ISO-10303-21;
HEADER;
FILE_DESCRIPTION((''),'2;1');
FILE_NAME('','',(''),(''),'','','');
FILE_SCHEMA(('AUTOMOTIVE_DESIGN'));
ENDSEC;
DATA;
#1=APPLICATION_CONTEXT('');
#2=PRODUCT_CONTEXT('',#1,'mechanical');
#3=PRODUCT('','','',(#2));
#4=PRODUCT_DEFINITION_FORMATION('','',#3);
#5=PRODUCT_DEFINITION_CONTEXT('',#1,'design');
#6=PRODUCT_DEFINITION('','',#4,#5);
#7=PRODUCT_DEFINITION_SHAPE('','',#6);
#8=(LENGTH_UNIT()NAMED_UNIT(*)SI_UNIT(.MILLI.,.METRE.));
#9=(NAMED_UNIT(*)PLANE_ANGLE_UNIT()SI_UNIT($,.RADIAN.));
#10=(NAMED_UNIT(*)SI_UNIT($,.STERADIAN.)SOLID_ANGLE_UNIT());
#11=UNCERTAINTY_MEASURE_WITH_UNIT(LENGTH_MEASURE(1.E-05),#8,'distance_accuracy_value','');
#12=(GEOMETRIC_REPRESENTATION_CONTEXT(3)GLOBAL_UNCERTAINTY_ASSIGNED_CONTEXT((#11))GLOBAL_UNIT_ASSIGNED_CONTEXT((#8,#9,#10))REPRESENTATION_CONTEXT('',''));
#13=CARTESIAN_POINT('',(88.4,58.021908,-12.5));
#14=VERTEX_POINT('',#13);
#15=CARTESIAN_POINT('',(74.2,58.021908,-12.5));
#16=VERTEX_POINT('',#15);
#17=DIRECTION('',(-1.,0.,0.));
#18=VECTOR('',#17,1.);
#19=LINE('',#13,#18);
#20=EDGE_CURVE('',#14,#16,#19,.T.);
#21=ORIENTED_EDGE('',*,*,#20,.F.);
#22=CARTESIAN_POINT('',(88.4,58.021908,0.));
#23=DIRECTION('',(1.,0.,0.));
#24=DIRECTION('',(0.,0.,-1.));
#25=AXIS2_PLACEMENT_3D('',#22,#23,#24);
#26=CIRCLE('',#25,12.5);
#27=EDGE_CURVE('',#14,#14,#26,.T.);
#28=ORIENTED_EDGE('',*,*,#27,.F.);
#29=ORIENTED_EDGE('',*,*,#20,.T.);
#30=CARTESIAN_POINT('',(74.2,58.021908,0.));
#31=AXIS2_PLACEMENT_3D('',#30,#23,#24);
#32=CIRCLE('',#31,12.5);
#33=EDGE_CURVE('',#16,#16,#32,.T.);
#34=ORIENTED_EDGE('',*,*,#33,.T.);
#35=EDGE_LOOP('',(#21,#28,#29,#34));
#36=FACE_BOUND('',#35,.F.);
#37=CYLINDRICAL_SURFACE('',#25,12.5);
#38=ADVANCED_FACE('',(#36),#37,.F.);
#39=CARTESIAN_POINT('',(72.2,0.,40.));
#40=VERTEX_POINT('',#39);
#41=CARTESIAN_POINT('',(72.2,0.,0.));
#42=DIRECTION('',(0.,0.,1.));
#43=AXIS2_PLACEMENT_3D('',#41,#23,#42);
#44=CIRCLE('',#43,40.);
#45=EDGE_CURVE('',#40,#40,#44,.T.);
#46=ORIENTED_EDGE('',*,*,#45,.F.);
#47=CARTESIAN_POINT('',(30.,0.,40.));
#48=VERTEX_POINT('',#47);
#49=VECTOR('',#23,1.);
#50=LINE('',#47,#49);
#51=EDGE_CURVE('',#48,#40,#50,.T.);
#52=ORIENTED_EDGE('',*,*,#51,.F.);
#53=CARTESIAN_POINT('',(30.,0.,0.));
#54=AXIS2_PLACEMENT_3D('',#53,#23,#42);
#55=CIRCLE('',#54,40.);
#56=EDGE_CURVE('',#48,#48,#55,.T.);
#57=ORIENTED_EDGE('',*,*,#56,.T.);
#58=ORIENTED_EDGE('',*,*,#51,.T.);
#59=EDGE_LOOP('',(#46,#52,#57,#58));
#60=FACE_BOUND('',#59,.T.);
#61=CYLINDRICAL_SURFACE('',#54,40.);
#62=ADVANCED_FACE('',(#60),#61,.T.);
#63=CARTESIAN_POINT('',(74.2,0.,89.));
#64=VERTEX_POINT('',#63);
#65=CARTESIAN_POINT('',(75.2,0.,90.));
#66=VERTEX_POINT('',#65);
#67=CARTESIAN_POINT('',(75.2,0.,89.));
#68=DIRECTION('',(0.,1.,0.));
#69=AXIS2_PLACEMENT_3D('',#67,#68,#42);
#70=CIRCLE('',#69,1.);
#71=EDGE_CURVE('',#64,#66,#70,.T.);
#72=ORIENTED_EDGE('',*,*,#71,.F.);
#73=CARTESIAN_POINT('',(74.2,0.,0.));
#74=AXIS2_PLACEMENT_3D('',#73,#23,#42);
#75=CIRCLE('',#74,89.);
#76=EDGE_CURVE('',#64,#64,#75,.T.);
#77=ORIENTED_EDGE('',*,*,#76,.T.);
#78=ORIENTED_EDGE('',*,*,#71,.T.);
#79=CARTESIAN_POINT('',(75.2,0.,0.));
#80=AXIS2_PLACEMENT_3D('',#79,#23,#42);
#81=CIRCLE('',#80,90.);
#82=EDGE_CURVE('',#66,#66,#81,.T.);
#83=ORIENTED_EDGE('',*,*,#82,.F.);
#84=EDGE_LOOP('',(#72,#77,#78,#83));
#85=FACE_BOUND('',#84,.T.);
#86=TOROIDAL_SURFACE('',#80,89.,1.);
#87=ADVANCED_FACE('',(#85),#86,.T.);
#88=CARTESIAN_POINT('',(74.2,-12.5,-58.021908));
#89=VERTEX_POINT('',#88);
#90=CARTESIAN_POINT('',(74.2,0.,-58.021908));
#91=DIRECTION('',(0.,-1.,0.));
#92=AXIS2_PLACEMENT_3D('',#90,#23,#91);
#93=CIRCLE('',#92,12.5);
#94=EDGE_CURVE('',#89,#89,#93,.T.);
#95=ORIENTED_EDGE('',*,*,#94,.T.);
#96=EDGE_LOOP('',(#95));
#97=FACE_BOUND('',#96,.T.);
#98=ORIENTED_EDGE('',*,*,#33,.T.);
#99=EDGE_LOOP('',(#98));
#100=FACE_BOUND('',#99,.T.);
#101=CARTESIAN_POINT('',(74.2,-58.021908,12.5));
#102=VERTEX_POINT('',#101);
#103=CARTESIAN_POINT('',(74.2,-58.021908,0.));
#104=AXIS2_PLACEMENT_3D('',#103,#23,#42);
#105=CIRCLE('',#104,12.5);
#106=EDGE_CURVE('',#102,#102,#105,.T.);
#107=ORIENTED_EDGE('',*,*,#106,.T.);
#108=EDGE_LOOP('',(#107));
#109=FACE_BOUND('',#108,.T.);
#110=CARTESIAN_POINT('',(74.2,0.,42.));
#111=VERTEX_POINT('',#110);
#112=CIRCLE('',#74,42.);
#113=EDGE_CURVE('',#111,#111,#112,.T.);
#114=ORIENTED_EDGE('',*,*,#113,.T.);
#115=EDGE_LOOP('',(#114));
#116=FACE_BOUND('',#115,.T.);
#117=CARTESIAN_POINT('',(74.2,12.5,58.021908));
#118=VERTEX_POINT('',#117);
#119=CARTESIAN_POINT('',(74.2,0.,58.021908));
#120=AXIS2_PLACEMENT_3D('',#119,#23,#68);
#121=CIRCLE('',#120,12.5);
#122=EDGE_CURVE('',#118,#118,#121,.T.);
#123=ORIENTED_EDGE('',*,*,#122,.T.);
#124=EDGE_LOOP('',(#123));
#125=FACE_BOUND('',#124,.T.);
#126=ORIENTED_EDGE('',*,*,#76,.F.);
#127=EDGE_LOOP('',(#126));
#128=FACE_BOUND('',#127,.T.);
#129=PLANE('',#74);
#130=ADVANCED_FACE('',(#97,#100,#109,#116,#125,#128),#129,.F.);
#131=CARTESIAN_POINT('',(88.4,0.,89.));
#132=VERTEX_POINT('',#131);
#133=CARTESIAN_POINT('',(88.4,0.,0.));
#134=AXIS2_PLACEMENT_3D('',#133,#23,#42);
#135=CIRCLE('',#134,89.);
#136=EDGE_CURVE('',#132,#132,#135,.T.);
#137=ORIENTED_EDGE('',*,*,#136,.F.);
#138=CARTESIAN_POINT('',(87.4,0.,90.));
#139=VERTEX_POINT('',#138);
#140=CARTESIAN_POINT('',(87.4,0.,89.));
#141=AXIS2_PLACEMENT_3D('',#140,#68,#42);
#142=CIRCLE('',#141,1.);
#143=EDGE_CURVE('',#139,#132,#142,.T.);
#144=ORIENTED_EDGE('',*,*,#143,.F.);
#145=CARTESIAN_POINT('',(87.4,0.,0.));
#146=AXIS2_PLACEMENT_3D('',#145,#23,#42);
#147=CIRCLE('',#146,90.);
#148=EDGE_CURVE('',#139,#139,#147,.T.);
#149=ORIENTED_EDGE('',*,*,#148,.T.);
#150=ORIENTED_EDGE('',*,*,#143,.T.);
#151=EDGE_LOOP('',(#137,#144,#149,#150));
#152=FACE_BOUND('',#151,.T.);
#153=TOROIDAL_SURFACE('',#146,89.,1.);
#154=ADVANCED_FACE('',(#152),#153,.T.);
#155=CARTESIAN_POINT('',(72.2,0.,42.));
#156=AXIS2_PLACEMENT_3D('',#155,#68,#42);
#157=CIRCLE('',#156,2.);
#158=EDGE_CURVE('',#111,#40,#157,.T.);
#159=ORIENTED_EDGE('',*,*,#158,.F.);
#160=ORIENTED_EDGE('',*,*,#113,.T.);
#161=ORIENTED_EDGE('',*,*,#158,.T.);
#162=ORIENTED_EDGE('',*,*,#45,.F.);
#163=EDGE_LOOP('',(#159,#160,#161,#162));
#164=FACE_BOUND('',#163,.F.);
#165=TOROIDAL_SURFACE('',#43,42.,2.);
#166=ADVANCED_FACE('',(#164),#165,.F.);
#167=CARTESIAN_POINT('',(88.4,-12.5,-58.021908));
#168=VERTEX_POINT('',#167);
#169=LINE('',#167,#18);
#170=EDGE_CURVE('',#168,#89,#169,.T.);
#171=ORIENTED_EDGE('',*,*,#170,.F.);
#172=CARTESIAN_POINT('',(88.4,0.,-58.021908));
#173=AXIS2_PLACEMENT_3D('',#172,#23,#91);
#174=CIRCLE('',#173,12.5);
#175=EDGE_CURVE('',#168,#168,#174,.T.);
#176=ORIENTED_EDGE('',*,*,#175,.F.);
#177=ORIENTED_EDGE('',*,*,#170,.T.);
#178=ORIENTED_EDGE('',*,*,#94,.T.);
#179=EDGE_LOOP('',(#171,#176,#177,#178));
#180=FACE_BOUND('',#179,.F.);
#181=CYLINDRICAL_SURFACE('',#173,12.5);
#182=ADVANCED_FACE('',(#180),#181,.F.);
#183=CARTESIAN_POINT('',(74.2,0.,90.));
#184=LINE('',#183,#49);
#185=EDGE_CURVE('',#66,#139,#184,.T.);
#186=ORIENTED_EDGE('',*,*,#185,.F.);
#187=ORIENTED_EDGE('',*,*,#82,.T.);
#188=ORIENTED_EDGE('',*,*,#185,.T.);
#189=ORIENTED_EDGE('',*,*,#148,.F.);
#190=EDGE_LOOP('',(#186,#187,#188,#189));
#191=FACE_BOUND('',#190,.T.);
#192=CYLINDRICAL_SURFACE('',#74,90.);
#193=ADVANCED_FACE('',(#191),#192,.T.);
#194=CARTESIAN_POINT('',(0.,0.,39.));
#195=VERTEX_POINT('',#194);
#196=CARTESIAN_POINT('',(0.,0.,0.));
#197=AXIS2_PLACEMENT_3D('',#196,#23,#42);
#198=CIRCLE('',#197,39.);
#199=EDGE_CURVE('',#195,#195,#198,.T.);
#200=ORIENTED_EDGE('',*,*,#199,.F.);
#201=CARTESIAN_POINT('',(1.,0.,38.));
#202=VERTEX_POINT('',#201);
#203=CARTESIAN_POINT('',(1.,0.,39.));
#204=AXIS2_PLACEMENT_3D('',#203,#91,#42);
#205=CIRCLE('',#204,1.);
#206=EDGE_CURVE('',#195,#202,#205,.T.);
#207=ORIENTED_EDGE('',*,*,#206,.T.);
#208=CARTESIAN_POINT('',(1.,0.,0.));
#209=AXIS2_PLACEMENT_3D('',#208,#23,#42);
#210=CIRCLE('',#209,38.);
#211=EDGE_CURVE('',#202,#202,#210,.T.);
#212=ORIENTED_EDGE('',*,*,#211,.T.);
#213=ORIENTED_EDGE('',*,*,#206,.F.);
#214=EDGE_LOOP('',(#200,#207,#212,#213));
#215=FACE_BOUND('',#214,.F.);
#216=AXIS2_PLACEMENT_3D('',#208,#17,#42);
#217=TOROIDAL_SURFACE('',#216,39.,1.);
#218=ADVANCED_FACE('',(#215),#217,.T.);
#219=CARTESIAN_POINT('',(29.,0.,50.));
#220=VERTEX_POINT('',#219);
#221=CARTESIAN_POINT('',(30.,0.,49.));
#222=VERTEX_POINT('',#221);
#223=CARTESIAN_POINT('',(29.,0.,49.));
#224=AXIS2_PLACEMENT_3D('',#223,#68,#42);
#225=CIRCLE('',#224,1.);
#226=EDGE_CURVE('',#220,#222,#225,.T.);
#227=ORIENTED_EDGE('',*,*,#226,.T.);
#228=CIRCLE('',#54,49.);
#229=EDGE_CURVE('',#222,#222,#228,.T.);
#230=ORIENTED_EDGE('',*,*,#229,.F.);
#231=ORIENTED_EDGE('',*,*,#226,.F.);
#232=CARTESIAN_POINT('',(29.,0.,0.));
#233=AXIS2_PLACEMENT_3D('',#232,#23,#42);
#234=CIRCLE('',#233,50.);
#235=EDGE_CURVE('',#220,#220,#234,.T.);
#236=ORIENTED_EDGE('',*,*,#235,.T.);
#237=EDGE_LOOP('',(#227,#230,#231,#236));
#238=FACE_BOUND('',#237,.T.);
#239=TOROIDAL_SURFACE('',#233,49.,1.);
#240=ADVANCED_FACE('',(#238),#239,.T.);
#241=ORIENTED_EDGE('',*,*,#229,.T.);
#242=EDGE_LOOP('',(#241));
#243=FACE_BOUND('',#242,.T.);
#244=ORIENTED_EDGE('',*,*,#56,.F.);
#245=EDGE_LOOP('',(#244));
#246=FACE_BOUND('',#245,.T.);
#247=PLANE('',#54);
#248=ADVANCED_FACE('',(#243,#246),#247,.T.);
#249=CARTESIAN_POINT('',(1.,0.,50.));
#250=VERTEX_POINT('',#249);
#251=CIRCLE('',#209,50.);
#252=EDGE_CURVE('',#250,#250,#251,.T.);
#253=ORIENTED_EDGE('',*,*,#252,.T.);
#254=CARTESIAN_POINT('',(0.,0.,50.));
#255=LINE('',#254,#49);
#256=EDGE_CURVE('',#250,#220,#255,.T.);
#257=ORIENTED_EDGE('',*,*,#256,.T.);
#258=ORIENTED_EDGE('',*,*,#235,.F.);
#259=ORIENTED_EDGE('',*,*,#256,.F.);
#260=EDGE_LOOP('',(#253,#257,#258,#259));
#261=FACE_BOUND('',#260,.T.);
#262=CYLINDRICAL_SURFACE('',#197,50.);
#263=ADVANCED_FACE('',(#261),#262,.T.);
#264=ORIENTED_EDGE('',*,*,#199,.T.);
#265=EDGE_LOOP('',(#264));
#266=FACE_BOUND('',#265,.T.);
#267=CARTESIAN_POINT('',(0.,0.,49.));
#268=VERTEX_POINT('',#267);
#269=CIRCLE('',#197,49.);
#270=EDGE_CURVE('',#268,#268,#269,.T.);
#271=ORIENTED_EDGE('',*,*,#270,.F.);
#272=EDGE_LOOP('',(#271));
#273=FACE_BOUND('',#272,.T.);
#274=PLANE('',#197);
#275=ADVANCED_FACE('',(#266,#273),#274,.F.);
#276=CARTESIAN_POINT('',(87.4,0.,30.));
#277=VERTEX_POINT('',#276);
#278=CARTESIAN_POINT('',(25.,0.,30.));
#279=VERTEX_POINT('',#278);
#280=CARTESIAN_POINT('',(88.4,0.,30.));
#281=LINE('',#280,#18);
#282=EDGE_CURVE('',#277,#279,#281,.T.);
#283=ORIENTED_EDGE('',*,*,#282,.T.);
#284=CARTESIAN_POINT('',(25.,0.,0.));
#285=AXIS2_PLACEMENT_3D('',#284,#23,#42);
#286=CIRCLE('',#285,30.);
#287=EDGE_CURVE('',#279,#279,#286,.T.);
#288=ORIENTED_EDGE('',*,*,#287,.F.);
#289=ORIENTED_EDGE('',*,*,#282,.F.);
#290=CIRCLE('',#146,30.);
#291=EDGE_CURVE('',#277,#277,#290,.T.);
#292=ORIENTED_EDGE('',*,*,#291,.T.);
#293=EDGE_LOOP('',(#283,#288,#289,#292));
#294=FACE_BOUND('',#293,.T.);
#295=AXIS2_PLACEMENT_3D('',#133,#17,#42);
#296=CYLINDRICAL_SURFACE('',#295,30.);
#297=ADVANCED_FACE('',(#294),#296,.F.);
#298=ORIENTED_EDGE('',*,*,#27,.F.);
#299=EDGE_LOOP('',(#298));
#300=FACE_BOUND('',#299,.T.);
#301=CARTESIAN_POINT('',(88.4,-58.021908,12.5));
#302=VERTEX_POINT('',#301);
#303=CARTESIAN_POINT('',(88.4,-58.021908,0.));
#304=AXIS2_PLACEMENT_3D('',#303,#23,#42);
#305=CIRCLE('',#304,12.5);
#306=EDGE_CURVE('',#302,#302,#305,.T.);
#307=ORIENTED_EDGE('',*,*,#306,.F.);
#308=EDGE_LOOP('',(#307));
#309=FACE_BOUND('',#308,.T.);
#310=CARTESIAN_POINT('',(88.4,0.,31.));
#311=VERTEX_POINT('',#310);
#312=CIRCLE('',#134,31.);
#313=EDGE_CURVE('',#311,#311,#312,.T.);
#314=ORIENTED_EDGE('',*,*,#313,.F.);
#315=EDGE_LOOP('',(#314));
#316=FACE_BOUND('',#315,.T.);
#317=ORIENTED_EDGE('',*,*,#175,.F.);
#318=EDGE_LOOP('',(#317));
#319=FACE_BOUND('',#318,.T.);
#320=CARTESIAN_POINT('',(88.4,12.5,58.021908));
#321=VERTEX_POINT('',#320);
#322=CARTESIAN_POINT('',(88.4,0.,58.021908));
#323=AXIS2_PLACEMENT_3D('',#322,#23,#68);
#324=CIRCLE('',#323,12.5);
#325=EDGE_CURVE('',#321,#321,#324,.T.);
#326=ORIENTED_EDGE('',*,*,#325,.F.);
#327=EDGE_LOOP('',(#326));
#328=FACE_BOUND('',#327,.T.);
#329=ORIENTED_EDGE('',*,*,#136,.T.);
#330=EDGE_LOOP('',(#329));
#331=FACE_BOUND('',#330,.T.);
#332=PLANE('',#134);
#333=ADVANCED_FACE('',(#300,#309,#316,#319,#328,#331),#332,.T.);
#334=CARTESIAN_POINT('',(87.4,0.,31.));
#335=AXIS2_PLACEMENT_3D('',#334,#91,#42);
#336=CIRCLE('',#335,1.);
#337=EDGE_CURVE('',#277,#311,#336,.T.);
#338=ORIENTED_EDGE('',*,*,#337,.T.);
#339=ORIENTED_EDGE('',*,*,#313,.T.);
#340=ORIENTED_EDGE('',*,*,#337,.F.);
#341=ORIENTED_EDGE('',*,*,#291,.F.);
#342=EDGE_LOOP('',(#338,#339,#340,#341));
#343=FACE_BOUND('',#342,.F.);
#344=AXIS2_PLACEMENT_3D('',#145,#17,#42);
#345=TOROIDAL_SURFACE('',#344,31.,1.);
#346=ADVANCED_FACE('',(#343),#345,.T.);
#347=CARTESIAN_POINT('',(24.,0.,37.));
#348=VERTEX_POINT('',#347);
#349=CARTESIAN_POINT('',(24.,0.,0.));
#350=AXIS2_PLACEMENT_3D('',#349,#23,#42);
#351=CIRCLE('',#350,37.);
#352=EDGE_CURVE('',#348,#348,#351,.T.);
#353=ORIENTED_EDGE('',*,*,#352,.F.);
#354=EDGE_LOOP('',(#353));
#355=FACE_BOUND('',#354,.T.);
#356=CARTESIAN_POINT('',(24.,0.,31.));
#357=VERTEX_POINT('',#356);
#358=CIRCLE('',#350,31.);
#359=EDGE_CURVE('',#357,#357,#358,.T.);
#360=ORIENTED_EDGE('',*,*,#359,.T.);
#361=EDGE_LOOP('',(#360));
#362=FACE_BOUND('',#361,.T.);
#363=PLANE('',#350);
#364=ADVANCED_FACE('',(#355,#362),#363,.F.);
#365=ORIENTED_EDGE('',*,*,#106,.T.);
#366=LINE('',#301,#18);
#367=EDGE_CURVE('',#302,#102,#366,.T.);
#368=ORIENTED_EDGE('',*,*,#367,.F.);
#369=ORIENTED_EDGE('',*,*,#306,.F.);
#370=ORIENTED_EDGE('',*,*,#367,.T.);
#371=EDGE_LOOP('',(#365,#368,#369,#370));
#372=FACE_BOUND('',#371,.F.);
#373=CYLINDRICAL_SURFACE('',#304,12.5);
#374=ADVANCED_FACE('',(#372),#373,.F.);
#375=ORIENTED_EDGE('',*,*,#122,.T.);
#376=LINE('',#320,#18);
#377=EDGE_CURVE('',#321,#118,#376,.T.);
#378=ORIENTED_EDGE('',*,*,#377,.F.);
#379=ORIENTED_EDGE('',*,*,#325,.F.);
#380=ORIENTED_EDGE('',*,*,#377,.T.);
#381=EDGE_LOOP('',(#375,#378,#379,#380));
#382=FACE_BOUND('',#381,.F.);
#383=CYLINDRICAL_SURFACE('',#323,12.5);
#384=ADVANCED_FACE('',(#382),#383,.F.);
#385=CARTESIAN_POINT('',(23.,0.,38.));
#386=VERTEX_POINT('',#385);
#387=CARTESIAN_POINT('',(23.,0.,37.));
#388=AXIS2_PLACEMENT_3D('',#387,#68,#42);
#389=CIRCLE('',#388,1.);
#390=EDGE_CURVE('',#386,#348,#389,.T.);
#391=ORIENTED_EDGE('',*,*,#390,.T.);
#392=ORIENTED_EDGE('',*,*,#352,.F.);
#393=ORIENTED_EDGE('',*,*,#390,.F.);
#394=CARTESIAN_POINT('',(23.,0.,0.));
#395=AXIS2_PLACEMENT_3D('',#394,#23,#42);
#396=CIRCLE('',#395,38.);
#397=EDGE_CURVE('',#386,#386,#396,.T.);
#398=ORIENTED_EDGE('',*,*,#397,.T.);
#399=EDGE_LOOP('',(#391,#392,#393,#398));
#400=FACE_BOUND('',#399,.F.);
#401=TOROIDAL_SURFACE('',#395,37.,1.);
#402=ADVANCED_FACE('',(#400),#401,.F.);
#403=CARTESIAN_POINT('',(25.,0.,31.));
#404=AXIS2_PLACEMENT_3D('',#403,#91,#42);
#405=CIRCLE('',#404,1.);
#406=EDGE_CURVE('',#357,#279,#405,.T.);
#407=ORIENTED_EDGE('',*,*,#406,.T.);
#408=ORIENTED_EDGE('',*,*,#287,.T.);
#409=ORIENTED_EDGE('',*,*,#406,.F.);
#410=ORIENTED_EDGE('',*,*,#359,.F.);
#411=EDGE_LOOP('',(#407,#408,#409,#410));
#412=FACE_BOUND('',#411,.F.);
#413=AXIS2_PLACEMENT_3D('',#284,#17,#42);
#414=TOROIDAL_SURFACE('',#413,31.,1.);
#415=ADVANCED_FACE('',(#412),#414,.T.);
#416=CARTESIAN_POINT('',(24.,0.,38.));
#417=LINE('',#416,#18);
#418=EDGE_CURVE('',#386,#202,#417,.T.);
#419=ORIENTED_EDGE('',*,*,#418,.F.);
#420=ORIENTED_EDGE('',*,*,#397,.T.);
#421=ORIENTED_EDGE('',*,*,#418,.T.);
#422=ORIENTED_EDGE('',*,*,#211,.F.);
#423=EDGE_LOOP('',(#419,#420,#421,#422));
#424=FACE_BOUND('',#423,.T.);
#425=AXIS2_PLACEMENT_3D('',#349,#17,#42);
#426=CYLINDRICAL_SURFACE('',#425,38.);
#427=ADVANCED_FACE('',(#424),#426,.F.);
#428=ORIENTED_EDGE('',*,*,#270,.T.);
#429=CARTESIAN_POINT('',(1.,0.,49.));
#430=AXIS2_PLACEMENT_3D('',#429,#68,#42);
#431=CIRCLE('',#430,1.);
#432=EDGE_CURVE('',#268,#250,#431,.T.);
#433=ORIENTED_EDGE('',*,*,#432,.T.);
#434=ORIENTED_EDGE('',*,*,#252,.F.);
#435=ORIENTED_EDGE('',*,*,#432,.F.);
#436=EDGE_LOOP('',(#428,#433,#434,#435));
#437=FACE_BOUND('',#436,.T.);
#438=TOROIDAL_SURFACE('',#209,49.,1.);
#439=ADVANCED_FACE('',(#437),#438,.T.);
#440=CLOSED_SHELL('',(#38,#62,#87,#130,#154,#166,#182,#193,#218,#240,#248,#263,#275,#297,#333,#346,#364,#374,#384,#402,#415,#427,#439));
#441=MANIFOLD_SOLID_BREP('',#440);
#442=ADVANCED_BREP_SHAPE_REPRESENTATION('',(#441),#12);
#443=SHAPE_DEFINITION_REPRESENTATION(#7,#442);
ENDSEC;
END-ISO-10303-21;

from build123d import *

# Parameters (mm, degrees)
SKETCH001_R        = 12.5
POCKET_DEPTH       = 15
POLARPATTERN_COUNT = 4
FILLET_R           = 1
FILLET001_R        = 1
FILLET002_R        = 1
FILLET003_R        = 1
FILLET004_R        = 2


with BuildPart() as part:
    # Sketch → Revolution (revolve)
    with BuildSketch(Plane.XZ):
        Polygon((0, 38), (0, 50), (30, 50), (30, 40), (74.2, 40), (74.2, 90), (88.4, 90), (88.4, 30), (24, 30), (24, 38), align=None)
    revolve(axis=Axis((0, 0, 0), (1, 0, 0)))

    # Sketch001 (on Face7 of Revolution) → Pocket (cut)
    with BuildSketch(Plane(origin=(88.4, 0, 0), x_dir=(0, 0, 1), z_dir=(1, 0, 0))):
        with Locations((0, 58.021908)):
            Circle(SKETCH001_R)
    pocket = extrude(amount=-POCKET_DEPTH, mode=Mode.SUBTRACT)

    # PolarPattern: Pocket ×4 about axis
    polarpattern_axis = Axis((0, 0, 0), (1, 0, 0))
    for i in range(1, POLARPATTERN_COUNT):
        add(pocket.rotate(polarpattern_axis, i * 360 / POLARPATTERN_COUNT), mode=Mode.SUBTRACT)

    # Fillet
    fillet_edges = [part.edges().sort_by_distance(p)[0] for p in [
        (0, 0, -38),
        (0, 0, -50),
    ]]
    fillet(fillet_edges, radius=FILLET_R)

    # Fillet001
    fillet001_edges = [part.edges().sort_by_distance(p)[0] for p in [
        (24, 0, -38),
        (24, 0, -30),
        (88.4, 0, -30),
        (56.2, 0, 30),
    ]]
    fillet(fillet001_edges, radius=FILLET001_R)

    # Fillet002
    fillet002_edges = [part.edges().sort_by_distance(p)[0] for p in [
        (30, 0, -50),
    ]]
    fillet(fillet002_edges, radius=FILLET002_R)

    # Fillet003
    fillet003_edges = [part.edges().sort_by_distance(p)[0] for p in [
        (88.4, 0, -90),
        (74.2, 0, -90),
    ]]
    fillet(fillet003_edges, radius=FILLET003_R)

    # Fillet004
    fillet004_edges = [part.edges().sort_by_distance(p)[0] for p in [
        (74.2, 0, -40),
    ]]
    fillet(fillet004_edges, radius=FILLET004_R)


solid = part.part
